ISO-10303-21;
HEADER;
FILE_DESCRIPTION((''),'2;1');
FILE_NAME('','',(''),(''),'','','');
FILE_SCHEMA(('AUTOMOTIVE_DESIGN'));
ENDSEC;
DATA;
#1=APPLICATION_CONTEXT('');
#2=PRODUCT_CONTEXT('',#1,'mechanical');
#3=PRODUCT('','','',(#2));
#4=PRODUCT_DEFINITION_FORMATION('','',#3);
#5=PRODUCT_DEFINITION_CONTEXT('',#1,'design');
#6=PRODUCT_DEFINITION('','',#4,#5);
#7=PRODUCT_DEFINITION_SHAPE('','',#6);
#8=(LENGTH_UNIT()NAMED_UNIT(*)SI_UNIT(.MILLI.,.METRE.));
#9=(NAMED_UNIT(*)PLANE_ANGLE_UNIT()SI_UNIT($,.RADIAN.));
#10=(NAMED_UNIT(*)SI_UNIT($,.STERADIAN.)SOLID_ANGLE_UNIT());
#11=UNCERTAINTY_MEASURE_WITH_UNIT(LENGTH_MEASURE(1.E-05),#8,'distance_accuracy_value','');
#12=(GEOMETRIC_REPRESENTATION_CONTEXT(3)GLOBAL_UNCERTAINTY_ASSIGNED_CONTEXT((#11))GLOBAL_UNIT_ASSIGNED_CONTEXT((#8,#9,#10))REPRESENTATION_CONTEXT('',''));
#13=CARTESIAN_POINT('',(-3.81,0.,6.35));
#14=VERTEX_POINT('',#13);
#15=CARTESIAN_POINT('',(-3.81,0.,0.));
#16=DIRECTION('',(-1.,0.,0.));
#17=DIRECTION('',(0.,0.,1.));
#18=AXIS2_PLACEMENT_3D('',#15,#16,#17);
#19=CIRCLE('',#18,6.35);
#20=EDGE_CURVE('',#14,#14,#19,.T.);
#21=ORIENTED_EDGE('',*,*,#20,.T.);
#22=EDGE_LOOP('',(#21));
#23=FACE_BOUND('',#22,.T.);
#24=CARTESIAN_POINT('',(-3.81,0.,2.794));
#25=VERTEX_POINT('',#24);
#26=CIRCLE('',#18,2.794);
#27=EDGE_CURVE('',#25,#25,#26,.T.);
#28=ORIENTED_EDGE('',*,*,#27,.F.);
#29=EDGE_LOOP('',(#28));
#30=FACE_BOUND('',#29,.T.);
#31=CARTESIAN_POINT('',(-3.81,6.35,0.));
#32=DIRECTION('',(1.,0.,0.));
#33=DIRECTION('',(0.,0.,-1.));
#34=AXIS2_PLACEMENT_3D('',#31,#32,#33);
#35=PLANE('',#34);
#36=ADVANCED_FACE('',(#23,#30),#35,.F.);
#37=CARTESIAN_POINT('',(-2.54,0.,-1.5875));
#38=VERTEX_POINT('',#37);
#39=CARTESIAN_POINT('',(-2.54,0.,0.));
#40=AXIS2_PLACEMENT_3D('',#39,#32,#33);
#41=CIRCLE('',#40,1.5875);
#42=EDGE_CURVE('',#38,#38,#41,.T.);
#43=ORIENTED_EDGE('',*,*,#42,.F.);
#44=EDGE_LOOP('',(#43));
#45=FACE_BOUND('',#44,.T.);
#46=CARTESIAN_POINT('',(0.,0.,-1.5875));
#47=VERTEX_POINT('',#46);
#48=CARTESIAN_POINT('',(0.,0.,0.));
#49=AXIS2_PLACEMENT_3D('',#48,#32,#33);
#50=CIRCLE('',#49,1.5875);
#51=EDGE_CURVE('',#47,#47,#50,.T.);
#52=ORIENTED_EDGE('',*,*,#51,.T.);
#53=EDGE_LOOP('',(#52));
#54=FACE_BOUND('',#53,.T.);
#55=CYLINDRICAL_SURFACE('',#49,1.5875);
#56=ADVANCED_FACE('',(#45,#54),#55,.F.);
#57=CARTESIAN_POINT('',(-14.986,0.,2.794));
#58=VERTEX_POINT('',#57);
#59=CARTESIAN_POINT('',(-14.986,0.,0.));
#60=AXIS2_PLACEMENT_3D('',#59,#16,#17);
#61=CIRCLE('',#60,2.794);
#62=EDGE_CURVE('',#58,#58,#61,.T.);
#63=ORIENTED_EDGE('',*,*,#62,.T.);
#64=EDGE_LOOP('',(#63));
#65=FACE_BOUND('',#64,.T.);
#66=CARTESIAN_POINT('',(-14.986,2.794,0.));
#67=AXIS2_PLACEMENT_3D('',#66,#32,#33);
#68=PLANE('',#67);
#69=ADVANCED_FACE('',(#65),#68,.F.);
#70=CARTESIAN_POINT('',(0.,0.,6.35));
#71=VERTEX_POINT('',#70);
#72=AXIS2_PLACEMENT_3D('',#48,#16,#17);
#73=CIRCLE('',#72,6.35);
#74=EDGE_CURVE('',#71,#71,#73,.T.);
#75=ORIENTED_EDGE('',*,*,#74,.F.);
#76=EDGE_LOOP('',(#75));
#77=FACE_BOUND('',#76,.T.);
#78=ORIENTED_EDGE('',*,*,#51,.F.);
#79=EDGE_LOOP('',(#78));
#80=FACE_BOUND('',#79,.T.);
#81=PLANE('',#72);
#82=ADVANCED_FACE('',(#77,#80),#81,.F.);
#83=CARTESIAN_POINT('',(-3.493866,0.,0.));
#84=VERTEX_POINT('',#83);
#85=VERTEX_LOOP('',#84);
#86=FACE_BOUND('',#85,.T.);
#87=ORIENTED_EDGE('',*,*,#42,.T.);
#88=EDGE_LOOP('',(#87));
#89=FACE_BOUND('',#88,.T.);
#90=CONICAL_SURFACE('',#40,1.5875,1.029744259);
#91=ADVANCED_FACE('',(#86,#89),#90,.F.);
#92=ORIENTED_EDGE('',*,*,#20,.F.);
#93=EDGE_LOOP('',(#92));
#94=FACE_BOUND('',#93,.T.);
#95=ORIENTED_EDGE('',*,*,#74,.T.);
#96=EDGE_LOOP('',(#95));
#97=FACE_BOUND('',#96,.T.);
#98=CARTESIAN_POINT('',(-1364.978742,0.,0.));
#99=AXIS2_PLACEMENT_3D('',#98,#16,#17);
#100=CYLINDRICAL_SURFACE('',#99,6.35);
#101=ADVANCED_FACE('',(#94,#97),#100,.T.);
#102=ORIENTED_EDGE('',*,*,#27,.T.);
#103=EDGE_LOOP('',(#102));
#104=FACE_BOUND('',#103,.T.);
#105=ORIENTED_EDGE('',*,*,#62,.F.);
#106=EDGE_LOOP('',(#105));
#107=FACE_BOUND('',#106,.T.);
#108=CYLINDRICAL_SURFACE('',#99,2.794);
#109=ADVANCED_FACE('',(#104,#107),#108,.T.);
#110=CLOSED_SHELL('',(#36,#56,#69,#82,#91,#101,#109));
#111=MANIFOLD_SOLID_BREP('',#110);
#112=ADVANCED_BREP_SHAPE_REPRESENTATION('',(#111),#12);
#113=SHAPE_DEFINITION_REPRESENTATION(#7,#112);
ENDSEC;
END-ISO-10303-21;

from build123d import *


with BuildPart() as part:
    # Sketch1 → Revolve2 (revolve)
    with BuildSketch(Plane.XY, mode=Mode.PRIVATE) as revolve2_sk:
        Polygon((0, 0), (0, 6.35), (-3.81, 6.35), (-3.81, 2.794), (-14.986, 2.794), (-14.986, 0), align=None)
    revolve(revolve2_sk.sketch.rotate(Axis((-1364.978742306, 0, 0), (1, 0, 0)), 90), axis=Axis((-1364.978742306, 0, 0), (1, 0, 0)))

    # Sketch4 → Cut-Revolve1 (revolve, cut)
    with BuildSketch(Plane.XY, mode=Mode.PRIVATE) as cut_revolve1_sk:
        Polygon((0, 0), (0, 1.5875), (-2.54, 1.5875), (-3.493866233, 0), align=None)
    revolve(cut_revolve1_sk.sketch.rotate(Axis((0, 0, 0), (-1, 0, 0)), 90), axis=Axis((0, 0, 0), (-1, 0, 0)), mode=Mode.SUBTRACT)


solid = part.part
